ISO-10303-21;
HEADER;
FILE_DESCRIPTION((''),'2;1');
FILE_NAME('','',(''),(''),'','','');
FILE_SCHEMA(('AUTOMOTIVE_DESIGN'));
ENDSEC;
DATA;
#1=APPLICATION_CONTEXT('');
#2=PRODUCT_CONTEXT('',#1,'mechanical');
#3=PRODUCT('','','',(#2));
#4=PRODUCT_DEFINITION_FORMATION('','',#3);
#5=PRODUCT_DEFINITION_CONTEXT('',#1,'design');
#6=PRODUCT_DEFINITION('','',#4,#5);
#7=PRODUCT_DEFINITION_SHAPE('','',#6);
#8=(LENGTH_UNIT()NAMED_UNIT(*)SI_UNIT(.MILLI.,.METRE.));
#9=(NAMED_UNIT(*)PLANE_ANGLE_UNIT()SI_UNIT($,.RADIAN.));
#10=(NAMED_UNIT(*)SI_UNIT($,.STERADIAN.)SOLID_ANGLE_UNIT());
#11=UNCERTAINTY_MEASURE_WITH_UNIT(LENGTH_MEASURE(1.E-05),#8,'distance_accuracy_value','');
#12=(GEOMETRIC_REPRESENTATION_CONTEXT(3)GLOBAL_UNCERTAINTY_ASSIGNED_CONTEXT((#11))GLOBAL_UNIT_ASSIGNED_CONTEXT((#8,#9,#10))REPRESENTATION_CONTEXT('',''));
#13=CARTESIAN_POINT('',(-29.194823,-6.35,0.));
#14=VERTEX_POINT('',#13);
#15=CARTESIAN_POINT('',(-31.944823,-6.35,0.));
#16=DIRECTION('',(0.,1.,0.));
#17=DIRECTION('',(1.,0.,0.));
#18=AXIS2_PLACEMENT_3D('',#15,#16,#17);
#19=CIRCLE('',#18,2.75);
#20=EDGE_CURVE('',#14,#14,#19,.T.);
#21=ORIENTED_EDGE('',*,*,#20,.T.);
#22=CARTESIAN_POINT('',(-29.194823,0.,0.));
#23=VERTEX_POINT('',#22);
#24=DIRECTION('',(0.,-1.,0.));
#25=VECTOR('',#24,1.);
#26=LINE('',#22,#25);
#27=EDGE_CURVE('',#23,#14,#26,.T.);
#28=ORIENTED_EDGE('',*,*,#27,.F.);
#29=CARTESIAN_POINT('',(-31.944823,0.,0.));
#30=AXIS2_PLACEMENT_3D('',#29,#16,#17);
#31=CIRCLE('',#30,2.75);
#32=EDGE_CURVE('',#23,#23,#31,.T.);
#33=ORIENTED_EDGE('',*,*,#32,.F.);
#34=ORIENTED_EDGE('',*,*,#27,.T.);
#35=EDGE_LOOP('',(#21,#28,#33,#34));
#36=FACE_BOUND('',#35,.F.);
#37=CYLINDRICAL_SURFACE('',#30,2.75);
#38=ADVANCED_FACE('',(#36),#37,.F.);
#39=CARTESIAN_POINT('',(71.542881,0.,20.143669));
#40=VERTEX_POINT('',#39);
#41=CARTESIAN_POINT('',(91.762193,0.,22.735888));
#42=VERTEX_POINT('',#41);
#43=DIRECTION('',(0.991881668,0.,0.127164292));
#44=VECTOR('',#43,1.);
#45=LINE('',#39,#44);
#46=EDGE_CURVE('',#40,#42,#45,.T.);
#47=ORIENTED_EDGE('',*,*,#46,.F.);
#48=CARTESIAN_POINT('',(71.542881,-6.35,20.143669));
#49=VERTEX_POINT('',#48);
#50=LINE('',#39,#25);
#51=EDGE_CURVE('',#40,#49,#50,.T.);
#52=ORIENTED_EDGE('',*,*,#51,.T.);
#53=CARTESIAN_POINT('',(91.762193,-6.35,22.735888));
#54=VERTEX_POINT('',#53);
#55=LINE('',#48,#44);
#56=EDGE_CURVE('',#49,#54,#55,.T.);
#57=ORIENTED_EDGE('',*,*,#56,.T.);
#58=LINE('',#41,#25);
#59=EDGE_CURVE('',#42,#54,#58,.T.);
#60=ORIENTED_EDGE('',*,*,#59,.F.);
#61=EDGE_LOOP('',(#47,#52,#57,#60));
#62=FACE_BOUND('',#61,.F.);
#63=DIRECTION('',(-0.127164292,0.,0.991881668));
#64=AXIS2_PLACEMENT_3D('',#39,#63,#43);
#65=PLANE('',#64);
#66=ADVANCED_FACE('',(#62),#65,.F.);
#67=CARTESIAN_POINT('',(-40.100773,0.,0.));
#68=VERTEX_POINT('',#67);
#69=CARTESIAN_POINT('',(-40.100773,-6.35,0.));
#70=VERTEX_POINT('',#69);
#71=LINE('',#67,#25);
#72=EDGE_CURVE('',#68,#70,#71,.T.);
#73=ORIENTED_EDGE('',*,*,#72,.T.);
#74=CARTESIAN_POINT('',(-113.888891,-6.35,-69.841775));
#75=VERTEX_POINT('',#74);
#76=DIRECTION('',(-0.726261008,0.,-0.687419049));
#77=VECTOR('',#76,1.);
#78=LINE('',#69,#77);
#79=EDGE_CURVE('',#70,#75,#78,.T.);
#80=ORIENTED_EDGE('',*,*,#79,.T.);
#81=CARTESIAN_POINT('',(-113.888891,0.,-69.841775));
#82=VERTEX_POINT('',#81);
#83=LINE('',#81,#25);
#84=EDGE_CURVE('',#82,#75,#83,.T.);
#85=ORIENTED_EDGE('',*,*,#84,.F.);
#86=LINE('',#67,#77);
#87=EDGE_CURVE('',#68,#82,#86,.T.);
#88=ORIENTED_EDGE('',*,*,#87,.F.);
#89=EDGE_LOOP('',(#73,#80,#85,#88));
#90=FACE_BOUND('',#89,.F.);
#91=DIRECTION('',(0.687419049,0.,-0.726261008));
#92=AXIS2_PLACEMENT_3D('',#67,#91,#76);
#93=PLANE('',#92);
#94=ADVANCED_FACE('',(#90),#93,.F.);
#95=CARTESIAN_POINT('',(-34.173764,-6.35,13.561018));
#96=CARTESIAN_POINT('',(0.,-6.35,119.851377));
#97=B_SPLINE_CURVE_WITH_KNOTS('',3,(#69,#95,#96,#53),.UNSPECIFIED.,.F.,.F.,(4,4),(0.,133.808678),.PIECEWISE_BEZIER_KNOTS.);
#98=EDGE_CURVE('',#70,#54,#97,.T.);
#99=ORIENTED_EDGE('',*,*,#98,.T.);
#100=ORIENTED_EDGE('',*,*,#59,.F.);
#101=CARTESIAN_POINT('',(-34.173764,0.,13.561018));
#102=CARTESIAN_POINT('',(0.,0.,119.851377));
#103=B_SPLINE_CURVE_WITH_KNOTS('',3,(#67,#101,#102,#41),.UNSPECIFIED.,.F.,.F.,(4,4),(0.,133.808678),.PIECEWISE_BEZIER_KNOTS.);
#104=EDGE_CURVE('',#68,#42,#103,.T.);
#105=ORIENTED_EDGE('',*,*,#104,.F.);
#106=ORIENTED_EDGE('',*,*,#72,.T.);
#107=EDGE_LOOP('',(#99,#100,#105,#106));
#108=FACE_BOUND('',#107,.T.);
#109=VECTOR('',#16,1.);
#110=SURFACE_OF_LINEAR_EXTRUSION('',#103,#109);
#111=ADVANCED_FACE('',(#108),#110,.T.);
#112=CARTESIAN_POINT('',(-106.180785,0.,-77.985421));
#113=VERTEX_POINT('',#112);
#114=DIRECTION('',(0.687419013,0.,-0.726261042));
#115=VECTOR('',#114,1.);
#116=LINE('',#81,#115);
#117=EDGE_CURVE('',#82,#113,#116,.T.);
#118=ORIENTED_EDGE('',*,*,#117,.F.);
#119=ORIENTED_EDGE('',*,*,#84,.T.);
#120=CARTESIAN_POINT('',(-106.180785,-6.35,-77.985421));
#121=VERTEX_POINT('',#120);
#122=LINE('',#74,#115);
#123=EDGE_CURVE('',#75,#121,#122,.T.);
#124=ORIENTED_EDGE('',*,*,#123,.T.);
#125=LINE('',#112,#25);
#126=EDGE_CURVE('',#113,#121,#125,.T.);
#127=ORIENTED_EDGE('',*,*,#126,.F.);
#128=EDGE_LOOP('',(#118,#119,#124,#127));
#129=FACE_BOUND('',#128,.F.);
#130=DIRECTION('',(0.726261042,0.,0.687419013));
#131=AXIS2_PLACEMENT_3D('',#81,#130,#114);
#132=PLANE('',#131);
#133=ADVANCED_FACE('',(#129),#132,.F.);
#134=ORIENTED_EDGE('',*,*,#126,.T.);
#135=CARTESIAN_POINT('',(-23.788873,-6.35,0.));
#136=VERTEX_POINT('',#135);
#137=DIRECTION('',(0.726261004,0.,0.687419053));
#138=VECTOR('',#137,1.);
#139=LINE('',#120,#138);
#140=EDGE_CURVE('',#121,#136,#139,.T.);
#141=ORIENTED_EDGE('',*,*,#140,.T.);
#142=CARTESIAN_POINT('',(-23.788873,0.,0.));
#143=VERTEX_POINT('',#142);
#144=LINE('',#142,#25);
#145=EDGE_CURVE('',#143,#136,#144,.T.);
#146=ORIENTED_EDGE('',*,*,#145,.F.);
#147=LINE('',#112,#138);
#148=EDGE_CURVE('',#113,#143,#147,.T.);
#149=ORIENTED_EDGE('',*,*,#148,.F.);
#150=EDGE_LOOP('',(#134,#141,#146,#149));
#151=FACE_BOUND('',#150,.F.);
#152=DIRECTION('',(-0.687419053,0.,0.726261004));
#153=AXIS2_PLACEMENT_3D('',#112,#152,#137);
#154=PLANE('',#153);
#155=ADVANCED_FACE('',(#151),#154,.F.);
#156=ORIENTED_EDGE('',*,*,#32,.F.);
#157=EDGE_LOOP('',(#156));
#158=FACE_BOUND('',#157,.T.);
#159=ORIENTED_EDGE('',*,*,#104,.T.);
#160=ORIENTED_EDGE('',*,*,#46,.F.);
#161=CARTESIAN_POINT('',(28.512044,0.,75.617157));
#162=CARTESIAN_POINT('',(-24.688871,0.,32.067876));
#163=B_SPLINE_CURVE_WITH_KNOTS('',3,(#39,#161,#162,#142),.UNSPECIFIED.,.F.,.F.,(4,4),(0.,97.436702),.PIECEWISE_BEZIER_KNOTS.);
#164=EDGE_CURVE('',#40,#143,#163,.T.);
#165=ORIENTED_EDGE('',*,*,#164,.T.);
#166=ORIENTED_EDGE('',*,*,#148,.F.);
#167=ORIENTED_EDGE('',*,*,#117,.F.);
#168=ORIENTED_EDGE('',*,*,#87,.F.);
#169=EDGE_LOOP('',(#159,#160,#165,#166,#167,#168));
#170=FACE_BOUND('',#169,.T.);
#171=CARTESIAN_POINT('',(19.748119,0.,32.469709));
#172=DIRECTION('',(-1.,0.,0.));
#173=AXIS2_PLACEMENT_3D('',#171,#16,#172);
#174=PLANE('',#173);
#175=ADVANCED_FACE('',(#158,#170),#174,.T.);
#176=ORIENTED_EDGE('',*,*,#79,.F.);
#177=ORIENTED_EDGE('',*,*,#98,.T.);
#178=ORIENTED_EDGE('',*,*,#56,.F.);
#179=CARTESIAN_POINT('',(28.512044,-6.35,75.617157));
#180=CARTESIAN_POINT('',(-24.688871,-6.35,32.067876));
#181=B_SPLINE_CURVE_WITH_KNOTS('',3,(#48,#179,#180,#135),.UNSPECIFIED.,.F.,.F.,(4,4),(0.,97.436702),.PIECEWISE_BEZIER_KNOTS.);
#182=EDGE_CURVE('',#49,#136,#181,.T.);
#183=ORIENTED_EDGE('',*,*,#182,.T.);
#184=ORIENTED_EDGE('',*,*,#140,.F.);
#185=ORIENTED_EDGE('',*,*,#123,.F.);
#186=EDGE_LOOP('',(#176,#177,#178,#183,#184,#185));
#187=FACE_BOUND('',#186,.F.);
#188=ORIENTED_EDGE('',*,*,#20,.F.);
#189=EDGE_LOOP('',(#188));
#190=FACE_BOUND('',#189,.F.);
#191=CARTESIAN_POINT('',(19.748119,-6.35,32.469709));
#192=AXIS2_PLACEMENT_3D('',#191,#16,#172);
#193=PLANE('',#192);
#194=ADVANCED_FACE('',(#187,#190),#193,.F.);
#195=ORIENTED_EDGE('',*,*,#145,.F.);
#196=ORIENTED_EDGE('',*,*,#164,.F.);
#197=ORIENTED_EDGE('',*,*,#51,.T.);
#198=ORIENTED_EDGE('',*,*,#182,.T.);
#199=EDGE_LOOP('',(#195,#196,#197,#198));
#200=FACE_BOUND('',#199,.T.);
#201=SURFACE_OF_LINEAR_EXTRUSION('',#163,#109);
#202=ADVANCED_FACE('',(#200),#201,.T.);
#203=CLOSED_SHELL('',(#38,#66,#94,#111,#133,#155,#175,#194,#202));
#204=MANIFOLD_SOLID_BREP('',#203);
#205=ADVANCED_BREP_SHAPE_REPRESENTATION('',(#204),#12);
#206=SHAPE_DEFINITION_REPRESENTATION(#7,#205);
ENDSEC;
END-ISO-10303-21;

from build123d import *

# Parameters (mm, degrees)
F1_DEPTH = 6.35


with BuildPart() as f1:
    # F0 (on Front) → F1 (new body)
    with BuildSketch(Plane.XZ):
        with BuildLine():
            add(Edge.make_bspline(
                [(-40.100773, 0), (-34.173764, 13.561018), (0, 119.851377), (91.762193, 22.735888)],
                knots=[0, 0, 0, 0, 133.808678, 133.808678, 133.808678, 133.808678], degree=3))
            Line((-40.100773, 0), (-34.694823, 0))
            ThreePointArc((-34.694823, 0), (-31.944823, 2.75), (-29.194823, 0))
            Line((-29.194823, 0), (-23.788873, 0))
            add(Edge.make_bspline(
                [(71.542881, 20.143669), (28.512044, 75.617157), (-24.688871, 32.067876), (-23.788873, 0)],
                knots=[0, 0, 0, 0, 97.436702, 97.436702, 97.436702, 97.436702], degree=3))
            Line((71.542881, 20.143669), (91.762193, 22.735888))
        make_face()
        with BuildLine():
            Line((-34.694823, 0), (-40.100773, 0))
            Line((-40.100773, 0), (-113.888891, -69.841775))
            Line((-113.888891, -69.841775), (-106.180785, -77.985421))
            Line((-106.180785, -77.985421), (-23.788873, 0))
            Line((-23.788873, 0), (-29.194823, 0))
            ThreePointArc((-29.194823, 0), (-31.944823, -2.75), (-34.694823, 0))
        make_face()
    extrude(amount=F1_DEPTH)


solid = f1.part
